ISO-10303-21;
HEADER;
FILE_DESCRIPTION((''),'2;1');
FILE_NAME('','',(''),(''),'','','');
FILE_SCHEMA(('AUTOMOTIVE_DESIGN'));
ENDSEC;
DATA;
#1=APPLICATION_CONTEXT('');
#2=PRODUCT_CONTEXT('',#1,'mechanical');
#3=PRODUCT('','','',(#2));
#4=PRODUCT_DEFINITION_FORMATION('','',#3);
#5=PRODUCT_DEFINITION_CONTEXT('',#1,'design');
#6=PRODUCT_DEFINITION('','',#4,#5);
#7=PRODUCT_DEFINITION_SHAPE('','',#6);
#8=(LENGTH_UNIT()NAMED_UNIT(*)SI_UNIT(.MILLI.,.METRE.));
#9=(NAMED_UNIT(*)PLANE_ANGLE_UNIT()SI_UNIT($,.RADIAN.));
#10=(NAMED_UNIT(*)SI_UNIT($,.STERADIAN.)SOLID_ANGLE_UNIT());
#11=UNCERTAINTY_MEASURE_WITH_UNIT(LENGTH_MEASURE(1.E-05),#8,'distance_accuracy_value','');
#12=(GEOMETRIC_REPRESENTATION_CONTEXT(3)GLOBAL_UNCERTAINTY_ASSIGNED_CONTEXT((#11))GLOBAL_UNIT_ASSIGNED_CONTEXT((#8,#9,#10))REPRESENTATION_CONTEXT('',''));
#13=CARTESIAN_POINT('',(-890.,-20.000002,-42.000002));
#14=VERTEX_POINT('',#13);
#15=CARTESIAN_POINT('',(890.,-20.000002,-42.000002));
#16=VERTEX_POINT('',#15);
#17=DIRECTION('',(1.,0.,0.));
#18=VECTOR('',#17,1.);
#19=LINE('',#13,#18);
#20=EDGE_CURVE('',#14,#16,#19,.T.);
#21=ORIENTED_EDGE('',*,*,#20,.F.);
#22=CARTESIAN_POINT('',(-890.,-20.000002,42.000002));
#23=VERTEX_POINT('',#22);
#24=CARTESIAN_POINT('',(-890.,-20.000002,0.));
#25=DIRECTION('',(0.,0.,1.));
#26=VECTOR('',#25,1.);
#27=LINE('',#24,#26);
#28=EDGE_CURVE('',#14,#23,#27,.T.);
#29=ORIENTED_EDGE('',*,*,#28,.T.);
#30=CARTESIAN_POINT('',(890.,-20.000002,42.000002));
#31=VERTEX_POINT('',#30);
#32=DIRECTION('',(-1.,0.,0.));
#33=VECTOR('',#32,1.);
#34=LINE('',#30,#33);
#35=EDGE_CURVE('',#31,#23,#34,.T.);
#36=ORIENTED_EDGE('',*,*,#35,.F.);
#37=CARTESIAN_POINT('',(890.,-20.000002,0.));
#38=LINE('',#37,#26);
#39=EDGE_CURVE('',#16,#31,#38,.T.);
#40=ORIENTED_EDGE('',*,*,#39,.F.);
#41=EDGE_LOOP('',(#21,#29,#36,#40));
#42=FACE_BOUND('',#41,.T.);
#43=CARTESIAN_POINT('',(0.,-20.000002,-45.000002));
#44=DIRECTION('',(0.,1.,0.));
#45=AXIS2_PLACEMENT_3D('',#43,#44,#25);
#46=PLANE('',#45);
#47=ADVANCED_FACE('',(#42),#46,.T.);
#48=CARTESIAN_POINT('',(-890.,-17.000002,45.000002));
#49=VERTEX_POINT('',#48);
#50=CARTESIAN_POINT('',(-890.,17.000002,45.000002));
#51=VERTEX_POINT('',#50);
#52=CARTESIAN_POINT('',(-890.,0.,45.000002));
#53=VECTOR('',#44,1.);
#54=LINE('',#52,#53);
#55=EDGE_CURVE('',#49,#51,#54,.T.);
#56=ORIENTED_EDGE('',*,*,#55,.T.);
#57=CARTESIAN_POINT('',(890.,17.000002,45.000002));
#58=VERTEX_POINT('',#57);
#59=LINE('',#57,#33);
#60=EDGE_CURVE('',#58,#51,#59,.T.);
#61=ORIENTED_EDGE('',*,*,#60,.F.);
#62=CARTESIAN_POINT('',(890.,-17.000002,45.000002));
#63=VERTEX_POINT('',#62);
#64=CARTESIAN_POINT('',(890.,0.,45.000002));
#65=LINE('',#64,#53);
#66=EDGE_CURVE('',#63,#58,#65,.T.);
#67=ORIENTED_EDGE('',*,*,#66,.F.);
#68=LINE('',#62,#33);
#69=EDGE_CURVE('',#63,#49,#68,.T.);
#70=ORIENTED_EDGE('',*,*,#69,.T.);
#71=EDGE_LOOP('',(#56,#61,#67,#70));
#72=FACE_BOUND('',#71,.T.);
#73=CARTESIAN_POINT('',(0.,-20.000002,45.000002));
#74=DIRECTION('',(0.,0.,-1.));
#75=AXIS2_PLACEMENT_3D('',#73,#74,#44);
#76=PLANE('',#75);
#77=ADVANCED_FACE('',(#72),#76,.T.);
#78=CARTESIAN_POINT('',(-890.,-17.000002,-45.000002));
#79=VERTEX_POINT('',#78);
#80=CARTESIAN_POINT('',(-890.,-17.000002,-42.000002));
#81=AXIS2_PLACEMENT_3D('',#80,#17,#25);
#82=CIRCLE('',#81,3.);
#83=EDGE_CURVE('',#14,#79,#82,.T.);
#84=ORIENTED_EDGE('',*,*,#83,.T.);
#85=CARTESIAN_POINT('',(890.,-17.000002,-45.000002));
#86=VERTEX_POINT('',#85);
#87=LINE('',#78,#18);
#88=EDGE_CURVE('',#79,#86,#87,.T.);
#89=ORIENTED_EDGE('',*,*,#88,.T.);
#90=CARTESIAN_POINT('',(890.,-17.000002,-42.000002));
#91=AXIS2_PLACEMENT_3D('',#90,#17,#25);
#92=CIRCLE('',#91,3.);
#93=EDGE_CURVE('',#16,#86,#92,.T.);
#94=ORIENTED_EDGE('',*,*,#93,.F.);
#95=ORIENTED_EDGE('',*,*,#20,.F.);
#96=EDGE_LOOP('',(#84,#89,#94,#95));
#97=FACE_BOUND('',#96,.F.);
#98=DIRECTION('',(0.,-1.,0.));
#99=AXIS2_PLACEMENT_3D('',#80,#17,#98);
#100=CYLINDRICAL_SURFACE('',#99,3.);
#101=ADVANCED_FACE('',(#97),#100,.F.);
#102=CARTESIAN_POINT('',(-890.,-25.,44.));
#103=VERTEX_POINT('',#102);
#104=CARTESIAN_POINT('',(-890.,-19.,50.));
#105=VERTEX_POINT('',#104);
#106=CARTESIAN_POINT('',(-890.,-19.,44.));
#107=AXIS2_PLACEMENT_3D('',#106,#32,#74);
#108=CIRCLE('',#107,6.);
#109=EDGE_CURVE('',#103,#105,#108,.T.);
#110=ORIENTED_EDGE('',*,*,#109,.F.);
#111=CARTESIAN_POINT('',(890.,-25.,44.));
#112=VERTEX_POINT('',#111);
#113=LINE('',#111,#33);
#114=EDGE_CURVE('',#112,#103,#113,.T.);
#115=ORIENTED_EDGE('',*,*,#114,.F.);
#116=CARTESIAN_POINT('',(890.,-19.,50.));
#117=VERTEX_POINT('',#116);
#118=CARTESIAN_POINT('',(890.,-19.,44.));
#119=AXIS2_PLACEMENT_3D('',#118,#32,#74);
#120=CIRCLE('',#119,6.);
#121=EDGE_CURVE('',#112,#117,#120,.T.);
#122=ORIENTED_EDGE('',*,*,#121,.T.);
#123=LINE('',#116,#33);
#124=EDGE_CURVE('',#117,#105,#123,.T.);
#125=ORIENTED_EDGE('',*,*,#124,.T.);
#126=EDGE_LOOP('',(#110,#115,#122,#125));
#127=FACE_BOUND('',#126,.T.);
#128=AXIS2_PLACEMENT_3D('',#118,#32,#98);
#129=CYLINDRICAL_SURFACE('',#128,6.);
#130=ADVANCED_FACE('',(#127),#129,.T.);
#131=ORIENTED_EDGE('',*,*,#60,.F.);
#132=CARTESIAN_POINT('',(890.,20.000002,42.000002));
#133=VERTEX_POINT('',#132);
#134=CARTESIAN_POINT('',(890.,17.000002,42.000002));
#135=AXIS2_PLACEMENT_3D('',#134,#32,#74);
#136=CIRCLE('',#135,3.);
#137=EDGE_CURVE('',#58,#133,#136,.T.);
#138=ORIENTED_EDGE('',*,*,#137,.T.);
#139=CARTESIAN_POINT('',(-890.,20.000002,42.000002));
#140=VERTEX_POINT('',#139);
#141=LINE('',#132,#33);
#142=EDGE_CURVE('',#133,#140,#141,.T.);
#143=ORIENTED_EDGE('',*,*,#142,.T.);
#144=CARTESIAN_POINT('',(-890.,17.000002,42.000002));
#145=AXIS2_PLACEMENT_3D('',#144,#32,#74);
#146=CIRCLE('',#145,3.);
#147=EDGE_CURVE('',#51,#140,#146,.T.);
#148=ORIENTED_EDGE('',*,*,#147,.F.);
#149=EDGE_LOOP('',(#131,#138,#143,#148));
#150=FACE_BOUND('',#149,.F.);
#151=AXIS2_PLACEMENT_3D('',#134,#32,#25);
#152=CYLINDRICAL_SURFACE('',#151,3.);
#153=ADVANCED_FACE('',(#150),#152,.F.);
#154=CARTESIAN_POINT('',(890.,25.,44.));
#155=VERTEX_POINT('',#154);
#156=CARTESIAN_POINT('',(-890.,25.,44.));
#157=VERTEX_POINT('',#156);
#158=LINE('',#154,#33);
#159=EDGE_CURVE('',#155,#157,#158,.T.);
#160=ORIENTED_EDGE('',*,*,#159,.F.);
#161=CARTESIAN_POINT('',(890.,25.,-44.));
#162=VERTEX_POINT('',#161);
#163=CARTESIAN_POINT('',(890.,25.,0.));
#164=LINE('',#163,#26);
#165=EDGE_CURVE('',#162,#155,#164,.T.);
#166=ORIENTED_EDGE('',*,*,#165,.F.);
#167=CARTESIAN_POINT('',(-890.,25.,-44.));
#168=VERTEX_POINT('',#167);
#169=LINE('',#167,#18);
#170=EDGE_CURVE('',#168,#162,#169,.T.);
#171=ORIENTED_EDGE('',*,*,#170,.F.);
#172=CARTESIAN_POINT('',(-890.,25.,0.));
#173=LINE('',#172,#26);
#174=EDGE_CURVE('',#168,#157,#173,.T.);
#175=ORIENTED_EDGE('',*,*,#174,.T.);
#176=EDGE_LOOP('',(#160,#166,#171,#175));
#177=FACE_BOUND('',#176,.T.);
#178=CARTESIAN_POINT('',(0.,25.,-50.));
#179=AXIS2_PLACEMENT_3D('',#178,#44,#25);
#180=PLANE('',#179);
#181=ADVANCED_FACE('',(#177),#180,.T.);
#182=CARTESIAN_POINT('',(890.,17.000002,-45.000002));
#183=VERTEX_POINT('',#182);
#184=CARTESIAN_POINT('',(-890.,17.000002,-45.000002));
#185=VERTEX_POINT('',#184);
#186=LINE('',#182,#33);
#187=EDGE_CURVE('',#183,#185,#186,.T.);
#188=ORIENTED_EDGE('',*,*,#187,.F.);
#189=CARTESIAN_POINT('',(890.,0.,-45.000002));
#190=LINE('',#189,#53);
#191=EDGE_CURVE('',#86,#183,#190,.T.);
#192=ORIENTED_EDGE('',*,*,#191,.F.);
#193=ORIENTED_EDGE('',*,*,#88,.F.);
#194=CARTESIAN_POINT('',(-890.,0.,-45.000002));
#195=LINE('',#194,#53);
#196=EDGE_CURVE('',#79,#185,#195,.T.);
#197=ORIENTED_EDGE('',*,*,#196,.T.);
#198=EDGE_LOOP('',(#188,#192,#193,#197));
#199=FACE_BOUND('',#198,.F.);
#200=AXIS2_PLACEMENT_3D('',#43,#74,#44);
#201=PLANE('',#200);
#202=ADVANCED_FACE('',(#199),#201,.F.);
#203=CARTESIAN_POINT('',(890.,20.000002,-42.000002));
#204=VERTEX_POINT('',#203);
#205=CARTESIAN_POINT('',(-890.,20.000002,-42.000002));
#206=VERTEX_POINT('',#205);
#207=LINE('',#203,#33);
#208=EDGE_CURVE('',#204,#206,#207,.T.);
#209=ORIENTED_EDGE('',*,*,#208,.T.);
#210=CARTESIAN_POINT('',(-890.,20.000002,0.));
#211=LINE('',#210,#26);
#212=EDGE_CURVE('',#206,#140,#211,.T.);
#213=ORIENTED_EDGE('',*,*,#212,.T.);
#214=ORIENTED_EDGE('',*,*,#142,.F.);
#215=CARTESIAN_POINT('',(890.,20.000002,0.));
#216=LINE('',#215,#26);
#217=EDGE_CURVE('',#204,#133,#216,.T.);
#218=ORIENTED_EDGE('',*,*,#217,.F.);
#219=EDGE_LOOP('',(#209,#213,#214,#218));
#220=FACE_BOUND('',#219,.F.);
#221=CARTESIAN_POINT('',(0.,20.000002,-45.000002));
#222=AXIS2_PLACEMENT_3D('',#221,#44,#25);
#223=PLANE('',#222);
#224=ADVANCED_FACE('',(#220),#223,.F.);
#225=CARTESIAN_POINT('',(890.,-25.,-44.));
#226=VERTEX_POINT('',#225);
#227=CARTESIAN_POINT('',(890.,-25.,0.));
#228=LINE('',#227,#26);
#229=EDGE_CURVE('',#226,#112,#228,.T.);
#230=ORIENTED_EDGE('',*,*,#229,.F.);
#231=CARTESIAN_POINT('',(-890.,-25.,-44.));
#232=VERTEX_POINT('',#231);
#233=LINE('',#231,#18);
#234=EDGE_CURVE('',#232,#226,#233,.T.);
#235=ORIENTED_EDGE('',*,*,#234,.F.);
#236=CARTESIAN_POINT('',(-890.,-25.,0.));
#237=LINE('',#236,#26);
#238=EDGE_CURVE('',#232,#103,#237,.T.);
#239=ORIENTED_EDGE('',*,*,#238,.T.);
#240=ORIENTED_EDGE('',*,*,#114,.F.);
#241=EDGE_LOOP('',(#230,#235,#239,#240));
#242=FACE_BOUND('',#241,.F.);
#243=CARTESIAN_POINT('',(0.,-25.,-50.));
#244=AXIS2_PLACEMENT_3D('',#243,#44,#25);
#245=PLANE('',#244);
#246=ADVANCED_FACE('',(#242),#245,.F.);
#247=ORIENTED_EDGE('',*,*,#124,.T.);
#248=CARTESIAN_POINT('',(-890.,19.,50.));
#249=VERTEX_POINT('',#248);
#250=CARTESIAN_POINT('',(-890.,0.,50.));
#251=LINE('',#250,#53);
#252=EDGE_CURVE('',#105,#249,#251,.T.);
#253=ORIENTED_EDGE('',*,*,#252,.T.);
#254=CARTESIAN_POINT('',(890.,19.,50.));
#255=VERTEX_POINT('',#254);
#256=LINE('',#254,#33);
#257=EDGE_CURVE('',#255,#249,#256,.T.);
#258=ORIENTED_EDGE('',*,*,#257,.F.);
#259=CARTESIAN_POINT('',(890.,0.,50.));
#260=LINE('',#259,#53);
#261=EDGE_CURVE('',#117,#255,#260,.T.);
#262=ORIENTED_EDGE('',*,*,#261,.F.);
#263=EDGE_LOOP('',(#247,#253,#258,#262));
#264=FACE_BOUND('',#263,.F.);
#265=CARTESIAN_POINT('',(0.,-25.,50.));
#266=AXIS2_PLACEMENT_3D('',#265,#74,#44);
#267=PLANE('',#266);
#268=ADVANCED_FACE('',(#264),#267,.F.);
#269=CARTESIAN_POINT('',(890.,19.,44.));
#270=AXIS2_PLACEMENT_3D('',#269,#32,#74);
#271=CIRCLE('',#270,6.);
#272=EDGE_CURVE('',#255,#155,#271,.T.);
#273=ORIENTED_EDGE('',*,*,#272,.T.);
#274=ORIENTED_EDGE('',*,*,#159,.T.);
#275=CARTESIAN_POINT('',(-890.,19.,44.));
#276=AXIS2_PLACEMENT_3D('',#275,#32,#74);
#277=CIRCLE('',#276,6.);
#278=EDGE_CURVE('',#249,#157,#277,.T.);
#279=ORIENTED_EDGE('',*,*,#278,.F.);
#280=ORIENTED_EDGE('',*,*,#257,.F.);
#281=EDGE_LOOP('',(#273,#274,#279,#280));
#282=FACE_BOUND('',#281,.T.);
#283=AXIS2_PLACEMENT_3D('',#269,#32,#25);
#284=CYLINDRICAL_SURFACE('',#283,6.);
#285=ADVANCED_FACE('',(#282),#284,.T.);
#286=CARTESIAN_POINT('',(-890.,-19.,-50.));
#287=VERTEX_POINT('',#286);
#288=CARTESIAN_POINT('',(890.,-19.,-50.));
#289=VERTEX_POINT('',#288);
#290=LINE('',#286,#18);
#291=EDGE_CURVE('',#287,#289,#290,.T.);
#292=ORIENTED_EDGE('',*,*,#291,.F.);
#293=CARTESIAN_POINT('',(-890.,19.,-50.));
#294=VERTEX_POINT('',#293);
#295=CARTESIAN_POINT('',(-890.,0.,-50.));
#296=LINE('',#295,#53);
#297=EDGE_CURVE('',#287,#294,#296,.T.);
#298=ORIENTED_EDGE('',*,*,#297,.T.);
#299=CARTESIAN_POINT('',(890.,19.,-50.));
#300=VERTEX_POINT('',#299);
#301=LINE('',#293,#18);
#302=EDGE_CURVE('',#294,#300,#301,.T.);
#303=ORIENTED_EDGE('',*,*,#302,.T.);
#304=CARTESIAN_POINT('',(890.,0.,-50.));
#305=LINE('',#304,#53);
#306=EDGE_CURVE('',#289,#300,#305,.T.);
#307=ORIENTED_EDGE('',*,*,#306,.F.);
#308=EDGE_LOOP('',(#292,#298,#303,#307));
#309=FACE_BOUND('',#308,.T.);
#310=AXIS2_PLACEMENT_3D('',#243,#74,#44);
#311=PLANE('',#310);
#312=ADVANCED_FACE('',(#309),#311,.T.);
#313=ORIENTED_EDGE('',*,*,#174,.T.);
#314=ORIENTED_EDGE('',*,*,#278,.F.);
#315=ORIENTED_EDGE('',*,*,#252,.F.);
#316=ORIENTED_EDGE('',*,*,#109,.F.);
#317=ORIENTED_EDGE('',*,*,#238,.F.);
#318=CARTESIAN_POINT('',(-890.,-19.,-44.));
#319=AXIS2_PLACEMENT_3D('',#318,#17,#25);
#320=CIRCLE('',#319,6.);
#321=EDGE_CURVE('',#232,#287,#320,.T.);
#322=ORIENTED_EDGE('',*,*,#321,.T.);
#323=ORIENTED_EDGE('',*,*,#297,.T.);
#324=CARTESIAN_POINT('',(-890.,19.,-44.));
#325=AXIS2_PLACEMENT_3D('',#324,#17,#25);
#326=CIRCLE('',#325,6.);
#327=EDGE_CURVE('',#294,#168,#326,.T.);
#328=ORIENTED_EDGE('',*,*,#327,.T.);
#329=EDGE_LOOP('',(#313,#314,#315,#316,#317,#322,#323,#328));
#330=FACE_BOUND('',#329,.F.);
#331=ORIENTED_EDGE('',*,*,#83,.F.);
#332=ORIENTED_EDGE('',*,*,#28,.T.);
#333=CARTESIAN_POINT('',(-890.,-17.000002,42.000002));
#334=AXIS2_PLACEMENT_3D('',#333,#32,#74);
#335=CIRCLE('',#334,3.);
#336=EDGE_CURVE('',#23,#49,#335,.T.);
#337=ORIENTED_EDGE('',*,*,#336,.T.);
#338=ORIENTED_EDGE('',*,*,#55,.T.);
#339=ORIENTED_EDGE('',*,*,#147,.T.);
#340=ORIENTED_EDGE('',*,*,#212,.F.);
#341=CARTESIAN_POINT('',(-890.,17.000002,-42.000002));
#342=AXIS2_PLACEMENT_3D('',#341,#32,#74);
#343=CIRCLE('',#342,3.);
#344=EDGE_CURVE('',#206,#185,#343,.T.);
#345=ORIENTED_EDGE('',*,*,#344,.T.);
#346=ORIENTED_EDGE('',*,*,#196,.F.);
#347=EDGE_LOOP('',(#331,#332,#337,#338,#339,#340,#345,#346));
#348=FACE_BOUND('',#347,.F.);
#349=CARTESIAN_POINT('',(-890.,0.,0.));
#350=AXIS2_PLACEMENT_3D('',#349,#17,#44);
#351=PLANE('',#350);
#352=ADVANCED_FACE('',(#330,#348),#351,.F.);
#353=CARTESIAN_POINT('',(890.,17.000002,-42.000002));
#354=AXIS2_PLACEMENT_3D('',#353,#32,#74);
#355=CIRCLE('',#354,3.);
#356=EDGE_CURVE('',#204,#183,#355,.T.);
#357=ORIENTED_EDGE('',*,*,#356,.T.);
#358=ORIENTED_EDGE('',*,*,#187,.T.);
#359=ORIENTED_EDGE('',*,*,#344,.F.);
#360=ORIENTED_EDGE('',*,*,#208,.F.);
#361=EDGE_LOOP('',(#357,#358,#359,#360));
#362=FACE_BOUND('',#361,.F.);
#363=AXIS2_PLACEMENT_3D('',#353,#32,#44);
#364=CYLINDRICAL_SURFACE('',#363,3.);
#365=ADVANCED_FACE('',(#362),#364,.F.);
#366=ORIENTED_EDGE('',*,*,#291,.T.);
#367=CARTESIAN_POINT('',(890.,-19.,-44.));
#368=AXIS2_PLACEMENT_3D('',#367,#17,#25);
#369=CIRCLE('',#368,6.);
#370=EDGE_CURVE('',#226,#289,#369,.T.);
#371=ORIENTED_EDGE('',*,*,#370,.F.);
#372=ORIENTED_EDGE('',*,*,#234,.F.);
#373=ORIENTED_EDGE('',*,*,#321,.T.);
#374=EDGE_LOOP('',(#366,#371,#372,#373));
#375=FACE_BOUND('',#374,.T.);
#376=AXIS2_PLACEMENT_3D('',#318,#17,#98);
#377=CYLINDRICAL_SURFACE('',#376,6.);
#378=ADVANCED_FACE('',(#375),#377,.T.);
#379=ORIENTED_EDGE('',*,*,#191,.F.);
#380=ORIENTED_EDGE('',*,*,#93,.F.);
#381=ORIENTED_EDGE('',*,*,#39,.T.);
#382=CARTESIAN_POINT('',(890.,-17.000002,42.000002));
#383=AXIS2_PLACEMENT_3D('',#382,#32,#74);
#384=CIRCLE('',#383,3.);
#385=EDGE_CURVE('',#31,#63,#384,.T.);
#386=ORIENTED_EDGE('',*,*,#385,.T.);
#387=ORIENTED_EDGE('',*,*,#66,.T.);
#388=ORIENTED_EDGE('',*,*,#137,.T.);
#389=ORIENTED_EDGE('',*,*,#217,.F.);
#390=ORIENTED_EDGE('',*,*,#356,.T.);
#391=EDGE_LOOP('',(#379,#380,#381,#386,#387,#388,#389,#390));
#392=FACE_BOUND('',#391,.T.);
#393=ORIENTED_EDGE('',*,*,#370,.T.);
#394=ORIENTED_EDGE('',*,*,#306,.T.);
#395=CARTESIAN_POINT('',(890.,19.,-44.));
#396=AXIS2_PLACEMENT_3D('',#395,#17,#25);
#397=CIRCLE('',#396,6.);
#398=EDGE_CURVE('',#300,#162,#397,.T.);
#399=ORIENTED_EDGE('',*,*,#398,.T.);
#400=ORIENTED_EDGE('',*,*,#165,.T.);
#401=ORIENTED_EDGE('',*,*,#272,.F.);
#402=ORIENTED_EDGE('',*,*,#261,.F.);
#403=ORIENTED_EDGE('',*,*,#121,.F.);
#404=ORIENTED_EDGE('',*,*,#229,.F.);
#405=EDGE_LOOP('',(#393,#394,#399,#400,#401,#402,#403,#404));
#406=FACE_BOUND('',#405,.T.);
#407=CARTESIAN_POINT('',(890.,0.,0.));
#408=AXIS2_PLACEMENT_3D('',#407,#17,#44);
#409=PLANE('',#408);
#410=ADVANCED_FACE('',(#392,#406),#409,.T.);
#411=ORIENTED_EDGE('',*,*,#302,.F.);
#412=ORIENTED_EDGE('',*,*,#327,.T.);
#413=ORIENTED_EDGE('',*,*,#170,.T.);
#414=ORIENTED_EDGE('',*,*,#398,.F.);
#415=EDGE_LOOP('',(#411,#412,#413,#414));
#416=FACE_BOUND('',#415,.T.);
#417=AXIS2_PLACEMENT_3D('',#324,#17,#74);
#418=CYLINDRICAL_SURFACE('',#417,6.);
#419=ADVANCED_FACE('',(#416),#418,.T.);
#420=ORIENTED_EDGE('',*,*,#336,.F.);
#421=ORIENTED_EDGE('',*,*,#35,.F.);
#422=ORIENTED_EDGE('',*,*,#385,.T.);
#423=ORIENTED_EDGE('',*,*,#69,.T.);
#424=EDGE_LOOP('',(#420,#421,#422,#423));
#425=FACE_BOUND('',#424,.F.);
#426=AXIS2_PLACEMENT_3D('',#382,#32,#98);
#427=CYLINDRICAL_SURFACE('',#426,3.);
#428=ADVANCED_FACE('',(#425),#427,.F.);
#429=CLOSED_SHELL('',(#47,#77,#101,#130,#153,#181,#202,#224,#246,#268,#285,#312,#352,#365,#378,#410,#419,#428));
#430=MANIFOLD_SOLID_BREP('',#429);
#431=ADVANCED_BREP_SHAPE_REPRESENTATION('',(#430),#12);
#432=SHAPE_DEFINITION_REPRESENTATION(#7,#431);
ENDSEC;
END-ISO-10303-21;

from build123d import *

# Parameters (mm, degrees)
F0_W     = 50
F0_H     = 100
F0_W_2   = 40.000004
F0_H_2   = 90.000004
F1_DEPTH = 890
F2_R     = 3
F3_R     = 6


with BuildPart() as f1:
    # F0 (on Right) → F1 (new body, symmetric)
    with BuildSketch(Plane.YZ):
        Rectangle(F0_W, F0_H)
        Rectangle(F0_W_2, F0_H_2, mode=Mode.SUBTRACT)
    extrude(amount=F1_DEPTH, both=True)

    # F2
    f2_edges = [f1.edges().sort_by_distance(p)[0] for p in [
        (0, 20.000002, 45.000002),
        (0, 20.000002, -45.000002),
        (0, -20.000002, -45.000002),
        (0, -20.000002, 45.000002),
    ]]
    fillet(f2_edges, radius=F2_R)

    # F3
    f3_edges = [f1.edges().sort_by_distance(p)[0] for p in [
        (0, 25, -50),
        (0, 25, 50),
        (0, -25, 50),
        (0, -25, -50),
    ]]
    fillet(f3_edges, radius=F3_R)


solid = f1.part
